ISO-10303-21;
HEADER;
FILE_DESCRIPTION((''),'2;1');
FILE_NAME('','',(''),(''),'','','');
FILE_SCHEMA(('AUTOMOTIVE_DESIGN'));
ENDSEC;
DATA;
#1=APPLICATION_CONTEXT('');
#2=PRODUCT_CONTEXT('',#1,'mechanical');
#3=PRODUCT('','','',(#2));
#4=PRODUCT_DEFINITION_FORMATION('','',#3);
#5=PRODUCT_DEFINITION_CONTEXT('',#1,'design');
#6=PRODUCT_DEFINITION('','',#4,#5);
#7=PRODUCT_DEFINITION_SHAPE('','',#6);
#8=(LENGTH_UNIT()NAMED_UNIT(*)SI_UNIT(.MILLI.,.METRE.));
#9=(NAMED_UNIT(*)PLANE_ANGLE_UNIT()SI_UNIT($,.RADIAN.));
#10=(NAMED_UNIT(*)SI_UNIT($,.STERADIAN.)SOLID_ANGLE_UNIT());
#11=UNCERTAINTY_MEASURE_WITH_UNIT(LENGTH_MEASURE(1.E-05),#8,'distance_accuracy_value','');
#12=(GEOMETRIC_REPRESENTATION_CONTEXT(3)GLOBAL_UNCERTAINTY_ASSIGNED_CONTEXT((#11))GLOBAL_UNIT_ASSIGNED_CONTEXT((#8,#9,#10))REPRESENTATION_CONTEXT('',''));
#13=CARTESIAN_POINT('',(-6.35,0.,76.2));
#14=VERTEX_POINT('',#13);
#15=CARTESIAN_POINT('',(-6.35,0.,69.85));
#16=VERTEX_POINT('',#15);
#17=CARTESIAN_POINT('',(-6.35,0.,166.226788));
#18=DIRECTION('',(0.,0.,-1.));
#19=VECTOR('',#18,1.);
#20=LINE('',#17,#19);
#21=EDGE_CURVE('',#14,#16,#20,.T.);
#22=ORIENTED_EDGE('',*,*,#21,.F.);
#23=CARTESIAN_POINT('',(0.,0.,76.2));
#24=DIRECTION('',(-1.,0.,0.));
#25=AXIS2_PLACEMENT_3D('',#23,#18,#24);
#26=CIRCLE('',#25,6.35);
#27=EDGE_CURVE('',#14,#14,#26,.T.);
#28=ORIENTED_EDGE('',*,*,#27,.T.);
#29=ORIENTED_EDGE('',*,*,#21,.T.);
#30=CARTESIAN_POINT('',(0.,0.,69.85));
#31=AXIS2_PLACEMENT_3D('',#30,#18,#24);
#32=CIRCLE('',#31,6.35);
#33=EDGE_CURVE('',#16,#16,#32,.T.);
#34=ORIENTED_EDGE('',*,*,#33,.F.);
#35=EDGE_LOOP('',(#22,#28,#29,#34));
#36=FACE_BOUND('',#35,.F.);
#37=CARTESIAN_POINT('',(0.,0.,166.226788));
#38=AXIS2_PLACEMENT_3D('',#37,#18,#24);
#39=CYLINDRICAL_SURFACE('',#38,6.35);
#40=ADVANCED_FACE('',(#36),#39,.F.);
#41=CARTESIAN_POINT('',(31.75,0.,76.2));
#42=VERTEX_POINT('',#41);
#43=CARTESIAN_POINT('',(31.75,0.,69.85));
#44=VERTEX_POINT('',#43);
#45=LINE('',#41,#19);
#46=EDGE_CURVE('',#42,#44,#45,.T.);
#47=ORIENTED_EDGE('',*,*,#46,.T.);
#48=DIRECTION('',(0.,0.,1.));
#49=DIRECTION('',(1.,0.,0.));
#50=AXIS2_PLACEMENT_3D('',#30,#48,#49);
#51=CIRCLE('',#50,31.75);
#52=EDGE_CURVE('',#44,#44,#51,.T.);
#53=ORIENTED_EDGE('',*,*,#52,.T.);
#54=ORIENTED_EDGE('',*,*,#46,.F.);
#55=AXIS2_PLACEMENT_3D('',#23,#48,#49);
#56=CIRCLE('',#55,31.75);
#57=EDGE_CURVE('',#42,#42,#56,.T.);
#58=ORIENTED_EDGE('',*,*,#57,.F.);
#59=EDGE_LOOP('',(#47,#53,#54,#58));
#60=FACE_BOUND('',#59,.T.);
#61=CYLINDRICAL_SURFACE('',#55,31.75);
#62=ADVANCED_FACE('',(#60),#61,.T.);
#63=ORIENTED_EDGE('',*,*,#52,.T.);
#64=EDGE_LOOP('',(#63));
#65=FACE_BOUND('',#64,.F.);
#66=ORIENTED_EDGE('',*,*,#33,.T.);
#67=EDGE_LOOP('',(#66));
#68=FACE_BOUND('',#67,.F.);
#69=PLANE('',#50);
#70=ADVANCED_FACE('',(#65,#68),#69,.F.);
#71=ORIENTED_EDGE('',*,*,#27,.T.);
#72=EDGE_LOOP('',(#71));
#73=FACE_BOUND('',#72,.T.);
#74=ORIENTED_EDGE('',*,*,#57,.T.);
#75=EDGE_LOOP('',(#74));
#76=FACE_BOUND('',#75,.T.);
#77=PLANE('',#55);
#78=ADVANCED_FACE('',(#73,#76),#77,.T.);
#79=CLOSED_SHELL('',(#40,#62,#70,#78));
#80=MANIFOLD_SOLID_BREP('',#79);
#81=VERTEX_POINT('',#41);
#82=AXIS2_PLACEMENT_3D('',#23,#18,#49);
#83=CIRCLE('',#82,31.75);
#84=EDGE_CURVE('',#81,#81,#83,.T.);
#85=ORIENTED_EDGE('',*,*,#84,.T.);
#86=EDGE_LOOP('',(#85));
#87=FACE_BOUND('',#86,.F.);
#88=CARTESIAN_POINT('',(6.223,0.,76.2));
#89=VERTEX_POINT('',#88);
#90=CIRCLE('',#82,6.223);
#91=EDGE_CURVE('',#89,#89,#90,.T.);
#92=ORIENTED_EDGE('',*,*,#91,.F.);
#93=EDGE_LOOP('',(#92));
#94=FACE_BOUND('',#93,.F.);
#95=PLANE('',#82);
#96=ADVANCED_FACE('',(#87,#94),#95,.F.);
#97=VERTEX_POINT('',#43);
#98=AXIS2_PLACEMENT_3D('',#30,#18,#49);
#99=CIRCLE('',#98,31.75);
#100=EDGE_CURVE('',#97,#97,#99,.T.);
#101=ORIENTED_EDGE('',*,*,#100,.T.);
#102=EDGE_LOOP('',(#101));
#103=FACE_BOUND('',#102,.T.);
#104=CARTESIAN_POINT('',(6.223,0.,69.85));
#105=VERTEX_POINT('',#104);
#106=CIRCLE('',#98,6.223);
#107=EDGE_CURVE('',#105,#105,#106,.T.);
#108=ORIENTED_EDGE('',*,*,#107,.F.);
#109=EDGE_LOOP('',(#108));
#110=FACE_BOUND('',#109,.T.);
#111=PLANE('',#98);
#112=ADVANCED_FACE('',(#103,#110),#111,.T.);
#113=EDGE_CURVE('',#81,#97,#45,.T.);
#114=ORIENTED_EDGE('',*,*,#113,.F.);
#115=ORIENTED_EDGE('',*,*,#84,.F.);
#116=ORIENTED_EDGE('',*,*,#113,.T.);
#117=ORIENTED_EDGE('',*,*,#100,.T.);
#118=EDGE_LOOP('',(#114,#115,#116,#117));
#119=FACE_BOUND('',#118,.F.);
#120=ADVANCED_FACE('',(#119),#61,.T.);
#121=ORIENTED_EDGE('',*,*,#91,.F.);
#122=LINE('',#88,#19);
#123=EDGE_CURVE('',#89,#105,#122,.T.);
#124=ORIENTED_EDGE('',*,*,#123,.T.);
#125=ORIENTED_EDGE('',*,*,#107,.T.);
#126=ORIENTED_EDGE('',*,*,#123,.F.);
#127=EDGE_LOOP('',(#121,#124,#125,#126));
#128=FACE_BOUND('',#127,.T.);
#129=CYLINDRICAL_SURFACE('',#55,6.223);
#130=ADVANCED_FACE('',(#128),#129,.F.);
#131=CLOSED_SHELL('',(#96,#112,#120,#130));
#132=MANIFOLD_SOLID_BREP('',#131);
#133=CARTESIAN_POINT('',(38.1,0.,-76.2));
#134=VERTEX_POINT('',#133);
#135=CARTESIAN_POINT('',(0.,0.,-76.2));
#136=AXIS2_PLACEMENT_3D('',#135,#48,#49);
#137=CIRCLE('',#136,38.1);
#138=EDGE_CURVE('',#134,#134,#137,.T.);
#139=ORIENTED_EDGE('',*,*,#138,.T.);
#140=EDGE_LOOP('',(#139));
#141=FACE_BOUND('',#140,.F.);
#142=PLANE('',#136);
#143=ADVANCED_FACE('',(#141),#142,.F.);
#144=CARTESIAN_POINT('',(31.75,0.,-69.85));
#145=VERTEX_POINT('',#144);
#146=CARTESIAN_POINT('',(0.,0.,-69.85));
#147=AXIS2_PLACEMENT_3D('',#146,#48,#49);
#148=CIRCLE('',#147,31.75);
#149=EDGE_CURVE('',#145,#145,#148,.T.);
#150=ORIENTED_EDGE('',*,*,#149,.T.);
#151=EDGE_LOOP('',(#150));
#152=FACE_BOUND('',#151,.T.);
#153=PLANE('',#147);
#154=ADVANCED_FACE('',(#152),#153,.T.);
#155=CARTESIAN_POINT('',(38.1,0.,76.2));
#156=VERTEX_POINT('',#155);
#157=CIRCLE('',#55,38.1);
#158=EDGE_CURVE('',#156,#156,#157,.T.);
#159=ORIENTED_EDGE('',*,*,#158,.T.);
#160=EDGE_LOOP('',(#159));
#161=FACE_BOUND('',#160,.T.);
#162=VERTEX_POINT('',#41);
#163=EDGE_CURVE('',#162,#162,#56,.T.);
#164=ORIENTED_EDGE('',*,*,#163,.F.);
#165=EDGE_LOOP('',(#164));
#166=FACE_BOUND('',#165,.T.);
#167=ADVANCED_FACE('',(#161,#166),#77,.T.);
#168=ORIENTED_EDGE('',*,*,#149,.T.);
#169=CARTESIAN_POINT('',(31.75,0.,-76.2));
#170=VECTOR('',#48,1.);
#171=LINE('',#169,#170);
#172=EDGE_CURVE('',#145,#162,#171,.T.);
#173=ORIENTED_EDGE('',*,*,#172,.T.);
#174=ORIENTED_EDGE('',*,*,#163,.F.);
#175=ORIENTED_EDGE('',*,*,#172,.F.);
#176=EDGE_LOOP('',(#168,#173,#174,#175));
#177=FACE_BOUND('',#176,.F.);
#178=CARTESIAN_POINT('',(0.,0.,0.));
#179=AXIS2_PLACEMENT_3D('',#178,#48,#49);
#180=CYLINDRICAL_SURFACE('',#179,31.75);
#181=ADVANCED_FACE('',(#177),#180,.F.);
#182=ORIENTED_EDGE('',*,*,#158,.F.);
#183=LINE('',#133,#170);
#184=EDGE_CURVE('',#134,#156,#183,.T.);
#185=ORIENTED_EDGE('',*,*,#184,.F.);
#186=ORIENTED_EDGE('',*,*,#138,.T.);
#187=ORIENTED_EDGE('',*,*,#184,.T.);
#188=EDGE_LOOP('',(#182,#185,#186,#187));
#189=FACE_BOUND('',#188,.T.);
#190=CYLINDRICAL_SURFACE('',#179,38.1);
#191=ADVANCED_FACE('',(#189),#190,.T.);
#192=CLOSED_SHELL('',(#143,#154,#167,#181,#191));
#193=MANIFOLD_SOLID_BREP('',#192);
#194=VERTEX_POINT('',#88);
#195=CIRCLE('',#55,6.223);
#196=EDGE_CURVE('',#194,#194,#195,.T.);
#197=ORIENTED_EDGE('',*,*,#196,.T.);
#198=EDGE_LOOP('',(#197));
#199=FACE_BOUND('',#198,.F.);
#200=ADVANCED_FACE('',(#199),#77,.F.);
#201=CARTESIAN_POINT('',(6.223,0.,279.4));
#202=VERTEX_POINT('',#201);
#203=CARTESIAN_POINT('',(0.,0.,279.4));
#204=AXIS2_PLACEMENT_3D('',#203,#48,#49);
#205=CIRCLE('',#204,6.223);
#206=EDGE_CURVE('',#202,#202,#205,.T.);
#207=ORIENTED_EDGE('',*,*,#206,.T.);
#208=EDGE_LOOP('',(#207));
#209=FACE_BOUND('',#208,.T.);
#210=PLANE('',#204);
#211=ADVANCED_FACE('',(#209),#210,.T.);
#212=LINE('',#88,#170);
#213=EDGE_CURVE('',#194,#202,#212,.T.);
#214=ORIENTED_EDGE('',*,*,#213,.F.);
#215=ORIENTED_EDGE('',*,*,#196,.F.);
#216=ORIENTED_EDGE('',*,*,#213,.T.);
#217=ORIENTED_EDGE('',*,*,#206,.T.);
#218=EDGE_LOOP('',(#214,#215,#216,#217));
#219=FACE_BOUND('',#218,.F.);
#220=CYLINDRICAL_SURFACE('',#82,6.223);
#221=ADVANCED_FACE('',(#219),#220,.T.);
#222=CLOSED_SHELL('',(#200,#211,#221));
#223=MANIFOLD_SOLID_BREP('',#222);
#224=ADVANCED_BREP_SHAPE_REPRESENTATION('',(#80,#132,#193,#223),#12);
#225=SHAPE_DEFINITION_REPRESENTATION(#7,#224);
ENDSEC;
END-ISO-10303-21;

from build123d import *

# Parameters (mm, degrees)
F0_R     = 38.1
F1_DEPTH = 76.2
F2_T     = -6.35
F3_R     = 31.75
F4_DEPTH = 6.35
F5_D     = 12.7
F6_R     = 6.223
F7_DEPTH = 203.2
F8_R     = 31.75
F8_R_2   = 6.223
F9_DEPTH = 6.35


with BuildPart() as f1:
    # F0 (on Top) → F1 (new body, symmetric)
    with BuildSketch(Plane.XY):
        Circle(F0_R)
    extrude(amount=F1_DEPTH, both=True)

    # F2
    f2_openings = [f1.faces().sort_by_distance(p)[0] for p in [
        (0, 0, 76.2),
    ]]
    offset(amount=F2_T, openings=f2_openings)


with BuildPart() as f4:
    # F3 (on face) → F4 (new body)
    with BuildSketch(Plane.XY.offset(76.2)):
        Circle(F3_R)
    extrude(amount=-F4_DEPTH)

    # F5 (through all)
    with Locations(Plane.XY.offset(76.2)):
        with Locations((0, 0)):
            Hole(F5_D / 2)


with BuildPart() as f7:
    # F6 (on face) → F7 (new body)
    with BuildSketch(Plane.XY.offset(76.2)):
        Circle(F6_R)
    extrude(amount=F7_DEPTH)


with BuildPart() as f9:
    # F8 (on face) → F9 (new body)
    with BuildSketch(Plane(origin=(0, 0, 76.2), x_dir=(1, 0, 0), z_dir=(0, 0, -1))):
        Circle(F8_R)
        Circle(F8_R_2, mode=Mode.SUBTRACT)
    extrude(amount=F9_DEPTH)


solid = Compound([f1.part, f4.part, f7.part, f9.part])
